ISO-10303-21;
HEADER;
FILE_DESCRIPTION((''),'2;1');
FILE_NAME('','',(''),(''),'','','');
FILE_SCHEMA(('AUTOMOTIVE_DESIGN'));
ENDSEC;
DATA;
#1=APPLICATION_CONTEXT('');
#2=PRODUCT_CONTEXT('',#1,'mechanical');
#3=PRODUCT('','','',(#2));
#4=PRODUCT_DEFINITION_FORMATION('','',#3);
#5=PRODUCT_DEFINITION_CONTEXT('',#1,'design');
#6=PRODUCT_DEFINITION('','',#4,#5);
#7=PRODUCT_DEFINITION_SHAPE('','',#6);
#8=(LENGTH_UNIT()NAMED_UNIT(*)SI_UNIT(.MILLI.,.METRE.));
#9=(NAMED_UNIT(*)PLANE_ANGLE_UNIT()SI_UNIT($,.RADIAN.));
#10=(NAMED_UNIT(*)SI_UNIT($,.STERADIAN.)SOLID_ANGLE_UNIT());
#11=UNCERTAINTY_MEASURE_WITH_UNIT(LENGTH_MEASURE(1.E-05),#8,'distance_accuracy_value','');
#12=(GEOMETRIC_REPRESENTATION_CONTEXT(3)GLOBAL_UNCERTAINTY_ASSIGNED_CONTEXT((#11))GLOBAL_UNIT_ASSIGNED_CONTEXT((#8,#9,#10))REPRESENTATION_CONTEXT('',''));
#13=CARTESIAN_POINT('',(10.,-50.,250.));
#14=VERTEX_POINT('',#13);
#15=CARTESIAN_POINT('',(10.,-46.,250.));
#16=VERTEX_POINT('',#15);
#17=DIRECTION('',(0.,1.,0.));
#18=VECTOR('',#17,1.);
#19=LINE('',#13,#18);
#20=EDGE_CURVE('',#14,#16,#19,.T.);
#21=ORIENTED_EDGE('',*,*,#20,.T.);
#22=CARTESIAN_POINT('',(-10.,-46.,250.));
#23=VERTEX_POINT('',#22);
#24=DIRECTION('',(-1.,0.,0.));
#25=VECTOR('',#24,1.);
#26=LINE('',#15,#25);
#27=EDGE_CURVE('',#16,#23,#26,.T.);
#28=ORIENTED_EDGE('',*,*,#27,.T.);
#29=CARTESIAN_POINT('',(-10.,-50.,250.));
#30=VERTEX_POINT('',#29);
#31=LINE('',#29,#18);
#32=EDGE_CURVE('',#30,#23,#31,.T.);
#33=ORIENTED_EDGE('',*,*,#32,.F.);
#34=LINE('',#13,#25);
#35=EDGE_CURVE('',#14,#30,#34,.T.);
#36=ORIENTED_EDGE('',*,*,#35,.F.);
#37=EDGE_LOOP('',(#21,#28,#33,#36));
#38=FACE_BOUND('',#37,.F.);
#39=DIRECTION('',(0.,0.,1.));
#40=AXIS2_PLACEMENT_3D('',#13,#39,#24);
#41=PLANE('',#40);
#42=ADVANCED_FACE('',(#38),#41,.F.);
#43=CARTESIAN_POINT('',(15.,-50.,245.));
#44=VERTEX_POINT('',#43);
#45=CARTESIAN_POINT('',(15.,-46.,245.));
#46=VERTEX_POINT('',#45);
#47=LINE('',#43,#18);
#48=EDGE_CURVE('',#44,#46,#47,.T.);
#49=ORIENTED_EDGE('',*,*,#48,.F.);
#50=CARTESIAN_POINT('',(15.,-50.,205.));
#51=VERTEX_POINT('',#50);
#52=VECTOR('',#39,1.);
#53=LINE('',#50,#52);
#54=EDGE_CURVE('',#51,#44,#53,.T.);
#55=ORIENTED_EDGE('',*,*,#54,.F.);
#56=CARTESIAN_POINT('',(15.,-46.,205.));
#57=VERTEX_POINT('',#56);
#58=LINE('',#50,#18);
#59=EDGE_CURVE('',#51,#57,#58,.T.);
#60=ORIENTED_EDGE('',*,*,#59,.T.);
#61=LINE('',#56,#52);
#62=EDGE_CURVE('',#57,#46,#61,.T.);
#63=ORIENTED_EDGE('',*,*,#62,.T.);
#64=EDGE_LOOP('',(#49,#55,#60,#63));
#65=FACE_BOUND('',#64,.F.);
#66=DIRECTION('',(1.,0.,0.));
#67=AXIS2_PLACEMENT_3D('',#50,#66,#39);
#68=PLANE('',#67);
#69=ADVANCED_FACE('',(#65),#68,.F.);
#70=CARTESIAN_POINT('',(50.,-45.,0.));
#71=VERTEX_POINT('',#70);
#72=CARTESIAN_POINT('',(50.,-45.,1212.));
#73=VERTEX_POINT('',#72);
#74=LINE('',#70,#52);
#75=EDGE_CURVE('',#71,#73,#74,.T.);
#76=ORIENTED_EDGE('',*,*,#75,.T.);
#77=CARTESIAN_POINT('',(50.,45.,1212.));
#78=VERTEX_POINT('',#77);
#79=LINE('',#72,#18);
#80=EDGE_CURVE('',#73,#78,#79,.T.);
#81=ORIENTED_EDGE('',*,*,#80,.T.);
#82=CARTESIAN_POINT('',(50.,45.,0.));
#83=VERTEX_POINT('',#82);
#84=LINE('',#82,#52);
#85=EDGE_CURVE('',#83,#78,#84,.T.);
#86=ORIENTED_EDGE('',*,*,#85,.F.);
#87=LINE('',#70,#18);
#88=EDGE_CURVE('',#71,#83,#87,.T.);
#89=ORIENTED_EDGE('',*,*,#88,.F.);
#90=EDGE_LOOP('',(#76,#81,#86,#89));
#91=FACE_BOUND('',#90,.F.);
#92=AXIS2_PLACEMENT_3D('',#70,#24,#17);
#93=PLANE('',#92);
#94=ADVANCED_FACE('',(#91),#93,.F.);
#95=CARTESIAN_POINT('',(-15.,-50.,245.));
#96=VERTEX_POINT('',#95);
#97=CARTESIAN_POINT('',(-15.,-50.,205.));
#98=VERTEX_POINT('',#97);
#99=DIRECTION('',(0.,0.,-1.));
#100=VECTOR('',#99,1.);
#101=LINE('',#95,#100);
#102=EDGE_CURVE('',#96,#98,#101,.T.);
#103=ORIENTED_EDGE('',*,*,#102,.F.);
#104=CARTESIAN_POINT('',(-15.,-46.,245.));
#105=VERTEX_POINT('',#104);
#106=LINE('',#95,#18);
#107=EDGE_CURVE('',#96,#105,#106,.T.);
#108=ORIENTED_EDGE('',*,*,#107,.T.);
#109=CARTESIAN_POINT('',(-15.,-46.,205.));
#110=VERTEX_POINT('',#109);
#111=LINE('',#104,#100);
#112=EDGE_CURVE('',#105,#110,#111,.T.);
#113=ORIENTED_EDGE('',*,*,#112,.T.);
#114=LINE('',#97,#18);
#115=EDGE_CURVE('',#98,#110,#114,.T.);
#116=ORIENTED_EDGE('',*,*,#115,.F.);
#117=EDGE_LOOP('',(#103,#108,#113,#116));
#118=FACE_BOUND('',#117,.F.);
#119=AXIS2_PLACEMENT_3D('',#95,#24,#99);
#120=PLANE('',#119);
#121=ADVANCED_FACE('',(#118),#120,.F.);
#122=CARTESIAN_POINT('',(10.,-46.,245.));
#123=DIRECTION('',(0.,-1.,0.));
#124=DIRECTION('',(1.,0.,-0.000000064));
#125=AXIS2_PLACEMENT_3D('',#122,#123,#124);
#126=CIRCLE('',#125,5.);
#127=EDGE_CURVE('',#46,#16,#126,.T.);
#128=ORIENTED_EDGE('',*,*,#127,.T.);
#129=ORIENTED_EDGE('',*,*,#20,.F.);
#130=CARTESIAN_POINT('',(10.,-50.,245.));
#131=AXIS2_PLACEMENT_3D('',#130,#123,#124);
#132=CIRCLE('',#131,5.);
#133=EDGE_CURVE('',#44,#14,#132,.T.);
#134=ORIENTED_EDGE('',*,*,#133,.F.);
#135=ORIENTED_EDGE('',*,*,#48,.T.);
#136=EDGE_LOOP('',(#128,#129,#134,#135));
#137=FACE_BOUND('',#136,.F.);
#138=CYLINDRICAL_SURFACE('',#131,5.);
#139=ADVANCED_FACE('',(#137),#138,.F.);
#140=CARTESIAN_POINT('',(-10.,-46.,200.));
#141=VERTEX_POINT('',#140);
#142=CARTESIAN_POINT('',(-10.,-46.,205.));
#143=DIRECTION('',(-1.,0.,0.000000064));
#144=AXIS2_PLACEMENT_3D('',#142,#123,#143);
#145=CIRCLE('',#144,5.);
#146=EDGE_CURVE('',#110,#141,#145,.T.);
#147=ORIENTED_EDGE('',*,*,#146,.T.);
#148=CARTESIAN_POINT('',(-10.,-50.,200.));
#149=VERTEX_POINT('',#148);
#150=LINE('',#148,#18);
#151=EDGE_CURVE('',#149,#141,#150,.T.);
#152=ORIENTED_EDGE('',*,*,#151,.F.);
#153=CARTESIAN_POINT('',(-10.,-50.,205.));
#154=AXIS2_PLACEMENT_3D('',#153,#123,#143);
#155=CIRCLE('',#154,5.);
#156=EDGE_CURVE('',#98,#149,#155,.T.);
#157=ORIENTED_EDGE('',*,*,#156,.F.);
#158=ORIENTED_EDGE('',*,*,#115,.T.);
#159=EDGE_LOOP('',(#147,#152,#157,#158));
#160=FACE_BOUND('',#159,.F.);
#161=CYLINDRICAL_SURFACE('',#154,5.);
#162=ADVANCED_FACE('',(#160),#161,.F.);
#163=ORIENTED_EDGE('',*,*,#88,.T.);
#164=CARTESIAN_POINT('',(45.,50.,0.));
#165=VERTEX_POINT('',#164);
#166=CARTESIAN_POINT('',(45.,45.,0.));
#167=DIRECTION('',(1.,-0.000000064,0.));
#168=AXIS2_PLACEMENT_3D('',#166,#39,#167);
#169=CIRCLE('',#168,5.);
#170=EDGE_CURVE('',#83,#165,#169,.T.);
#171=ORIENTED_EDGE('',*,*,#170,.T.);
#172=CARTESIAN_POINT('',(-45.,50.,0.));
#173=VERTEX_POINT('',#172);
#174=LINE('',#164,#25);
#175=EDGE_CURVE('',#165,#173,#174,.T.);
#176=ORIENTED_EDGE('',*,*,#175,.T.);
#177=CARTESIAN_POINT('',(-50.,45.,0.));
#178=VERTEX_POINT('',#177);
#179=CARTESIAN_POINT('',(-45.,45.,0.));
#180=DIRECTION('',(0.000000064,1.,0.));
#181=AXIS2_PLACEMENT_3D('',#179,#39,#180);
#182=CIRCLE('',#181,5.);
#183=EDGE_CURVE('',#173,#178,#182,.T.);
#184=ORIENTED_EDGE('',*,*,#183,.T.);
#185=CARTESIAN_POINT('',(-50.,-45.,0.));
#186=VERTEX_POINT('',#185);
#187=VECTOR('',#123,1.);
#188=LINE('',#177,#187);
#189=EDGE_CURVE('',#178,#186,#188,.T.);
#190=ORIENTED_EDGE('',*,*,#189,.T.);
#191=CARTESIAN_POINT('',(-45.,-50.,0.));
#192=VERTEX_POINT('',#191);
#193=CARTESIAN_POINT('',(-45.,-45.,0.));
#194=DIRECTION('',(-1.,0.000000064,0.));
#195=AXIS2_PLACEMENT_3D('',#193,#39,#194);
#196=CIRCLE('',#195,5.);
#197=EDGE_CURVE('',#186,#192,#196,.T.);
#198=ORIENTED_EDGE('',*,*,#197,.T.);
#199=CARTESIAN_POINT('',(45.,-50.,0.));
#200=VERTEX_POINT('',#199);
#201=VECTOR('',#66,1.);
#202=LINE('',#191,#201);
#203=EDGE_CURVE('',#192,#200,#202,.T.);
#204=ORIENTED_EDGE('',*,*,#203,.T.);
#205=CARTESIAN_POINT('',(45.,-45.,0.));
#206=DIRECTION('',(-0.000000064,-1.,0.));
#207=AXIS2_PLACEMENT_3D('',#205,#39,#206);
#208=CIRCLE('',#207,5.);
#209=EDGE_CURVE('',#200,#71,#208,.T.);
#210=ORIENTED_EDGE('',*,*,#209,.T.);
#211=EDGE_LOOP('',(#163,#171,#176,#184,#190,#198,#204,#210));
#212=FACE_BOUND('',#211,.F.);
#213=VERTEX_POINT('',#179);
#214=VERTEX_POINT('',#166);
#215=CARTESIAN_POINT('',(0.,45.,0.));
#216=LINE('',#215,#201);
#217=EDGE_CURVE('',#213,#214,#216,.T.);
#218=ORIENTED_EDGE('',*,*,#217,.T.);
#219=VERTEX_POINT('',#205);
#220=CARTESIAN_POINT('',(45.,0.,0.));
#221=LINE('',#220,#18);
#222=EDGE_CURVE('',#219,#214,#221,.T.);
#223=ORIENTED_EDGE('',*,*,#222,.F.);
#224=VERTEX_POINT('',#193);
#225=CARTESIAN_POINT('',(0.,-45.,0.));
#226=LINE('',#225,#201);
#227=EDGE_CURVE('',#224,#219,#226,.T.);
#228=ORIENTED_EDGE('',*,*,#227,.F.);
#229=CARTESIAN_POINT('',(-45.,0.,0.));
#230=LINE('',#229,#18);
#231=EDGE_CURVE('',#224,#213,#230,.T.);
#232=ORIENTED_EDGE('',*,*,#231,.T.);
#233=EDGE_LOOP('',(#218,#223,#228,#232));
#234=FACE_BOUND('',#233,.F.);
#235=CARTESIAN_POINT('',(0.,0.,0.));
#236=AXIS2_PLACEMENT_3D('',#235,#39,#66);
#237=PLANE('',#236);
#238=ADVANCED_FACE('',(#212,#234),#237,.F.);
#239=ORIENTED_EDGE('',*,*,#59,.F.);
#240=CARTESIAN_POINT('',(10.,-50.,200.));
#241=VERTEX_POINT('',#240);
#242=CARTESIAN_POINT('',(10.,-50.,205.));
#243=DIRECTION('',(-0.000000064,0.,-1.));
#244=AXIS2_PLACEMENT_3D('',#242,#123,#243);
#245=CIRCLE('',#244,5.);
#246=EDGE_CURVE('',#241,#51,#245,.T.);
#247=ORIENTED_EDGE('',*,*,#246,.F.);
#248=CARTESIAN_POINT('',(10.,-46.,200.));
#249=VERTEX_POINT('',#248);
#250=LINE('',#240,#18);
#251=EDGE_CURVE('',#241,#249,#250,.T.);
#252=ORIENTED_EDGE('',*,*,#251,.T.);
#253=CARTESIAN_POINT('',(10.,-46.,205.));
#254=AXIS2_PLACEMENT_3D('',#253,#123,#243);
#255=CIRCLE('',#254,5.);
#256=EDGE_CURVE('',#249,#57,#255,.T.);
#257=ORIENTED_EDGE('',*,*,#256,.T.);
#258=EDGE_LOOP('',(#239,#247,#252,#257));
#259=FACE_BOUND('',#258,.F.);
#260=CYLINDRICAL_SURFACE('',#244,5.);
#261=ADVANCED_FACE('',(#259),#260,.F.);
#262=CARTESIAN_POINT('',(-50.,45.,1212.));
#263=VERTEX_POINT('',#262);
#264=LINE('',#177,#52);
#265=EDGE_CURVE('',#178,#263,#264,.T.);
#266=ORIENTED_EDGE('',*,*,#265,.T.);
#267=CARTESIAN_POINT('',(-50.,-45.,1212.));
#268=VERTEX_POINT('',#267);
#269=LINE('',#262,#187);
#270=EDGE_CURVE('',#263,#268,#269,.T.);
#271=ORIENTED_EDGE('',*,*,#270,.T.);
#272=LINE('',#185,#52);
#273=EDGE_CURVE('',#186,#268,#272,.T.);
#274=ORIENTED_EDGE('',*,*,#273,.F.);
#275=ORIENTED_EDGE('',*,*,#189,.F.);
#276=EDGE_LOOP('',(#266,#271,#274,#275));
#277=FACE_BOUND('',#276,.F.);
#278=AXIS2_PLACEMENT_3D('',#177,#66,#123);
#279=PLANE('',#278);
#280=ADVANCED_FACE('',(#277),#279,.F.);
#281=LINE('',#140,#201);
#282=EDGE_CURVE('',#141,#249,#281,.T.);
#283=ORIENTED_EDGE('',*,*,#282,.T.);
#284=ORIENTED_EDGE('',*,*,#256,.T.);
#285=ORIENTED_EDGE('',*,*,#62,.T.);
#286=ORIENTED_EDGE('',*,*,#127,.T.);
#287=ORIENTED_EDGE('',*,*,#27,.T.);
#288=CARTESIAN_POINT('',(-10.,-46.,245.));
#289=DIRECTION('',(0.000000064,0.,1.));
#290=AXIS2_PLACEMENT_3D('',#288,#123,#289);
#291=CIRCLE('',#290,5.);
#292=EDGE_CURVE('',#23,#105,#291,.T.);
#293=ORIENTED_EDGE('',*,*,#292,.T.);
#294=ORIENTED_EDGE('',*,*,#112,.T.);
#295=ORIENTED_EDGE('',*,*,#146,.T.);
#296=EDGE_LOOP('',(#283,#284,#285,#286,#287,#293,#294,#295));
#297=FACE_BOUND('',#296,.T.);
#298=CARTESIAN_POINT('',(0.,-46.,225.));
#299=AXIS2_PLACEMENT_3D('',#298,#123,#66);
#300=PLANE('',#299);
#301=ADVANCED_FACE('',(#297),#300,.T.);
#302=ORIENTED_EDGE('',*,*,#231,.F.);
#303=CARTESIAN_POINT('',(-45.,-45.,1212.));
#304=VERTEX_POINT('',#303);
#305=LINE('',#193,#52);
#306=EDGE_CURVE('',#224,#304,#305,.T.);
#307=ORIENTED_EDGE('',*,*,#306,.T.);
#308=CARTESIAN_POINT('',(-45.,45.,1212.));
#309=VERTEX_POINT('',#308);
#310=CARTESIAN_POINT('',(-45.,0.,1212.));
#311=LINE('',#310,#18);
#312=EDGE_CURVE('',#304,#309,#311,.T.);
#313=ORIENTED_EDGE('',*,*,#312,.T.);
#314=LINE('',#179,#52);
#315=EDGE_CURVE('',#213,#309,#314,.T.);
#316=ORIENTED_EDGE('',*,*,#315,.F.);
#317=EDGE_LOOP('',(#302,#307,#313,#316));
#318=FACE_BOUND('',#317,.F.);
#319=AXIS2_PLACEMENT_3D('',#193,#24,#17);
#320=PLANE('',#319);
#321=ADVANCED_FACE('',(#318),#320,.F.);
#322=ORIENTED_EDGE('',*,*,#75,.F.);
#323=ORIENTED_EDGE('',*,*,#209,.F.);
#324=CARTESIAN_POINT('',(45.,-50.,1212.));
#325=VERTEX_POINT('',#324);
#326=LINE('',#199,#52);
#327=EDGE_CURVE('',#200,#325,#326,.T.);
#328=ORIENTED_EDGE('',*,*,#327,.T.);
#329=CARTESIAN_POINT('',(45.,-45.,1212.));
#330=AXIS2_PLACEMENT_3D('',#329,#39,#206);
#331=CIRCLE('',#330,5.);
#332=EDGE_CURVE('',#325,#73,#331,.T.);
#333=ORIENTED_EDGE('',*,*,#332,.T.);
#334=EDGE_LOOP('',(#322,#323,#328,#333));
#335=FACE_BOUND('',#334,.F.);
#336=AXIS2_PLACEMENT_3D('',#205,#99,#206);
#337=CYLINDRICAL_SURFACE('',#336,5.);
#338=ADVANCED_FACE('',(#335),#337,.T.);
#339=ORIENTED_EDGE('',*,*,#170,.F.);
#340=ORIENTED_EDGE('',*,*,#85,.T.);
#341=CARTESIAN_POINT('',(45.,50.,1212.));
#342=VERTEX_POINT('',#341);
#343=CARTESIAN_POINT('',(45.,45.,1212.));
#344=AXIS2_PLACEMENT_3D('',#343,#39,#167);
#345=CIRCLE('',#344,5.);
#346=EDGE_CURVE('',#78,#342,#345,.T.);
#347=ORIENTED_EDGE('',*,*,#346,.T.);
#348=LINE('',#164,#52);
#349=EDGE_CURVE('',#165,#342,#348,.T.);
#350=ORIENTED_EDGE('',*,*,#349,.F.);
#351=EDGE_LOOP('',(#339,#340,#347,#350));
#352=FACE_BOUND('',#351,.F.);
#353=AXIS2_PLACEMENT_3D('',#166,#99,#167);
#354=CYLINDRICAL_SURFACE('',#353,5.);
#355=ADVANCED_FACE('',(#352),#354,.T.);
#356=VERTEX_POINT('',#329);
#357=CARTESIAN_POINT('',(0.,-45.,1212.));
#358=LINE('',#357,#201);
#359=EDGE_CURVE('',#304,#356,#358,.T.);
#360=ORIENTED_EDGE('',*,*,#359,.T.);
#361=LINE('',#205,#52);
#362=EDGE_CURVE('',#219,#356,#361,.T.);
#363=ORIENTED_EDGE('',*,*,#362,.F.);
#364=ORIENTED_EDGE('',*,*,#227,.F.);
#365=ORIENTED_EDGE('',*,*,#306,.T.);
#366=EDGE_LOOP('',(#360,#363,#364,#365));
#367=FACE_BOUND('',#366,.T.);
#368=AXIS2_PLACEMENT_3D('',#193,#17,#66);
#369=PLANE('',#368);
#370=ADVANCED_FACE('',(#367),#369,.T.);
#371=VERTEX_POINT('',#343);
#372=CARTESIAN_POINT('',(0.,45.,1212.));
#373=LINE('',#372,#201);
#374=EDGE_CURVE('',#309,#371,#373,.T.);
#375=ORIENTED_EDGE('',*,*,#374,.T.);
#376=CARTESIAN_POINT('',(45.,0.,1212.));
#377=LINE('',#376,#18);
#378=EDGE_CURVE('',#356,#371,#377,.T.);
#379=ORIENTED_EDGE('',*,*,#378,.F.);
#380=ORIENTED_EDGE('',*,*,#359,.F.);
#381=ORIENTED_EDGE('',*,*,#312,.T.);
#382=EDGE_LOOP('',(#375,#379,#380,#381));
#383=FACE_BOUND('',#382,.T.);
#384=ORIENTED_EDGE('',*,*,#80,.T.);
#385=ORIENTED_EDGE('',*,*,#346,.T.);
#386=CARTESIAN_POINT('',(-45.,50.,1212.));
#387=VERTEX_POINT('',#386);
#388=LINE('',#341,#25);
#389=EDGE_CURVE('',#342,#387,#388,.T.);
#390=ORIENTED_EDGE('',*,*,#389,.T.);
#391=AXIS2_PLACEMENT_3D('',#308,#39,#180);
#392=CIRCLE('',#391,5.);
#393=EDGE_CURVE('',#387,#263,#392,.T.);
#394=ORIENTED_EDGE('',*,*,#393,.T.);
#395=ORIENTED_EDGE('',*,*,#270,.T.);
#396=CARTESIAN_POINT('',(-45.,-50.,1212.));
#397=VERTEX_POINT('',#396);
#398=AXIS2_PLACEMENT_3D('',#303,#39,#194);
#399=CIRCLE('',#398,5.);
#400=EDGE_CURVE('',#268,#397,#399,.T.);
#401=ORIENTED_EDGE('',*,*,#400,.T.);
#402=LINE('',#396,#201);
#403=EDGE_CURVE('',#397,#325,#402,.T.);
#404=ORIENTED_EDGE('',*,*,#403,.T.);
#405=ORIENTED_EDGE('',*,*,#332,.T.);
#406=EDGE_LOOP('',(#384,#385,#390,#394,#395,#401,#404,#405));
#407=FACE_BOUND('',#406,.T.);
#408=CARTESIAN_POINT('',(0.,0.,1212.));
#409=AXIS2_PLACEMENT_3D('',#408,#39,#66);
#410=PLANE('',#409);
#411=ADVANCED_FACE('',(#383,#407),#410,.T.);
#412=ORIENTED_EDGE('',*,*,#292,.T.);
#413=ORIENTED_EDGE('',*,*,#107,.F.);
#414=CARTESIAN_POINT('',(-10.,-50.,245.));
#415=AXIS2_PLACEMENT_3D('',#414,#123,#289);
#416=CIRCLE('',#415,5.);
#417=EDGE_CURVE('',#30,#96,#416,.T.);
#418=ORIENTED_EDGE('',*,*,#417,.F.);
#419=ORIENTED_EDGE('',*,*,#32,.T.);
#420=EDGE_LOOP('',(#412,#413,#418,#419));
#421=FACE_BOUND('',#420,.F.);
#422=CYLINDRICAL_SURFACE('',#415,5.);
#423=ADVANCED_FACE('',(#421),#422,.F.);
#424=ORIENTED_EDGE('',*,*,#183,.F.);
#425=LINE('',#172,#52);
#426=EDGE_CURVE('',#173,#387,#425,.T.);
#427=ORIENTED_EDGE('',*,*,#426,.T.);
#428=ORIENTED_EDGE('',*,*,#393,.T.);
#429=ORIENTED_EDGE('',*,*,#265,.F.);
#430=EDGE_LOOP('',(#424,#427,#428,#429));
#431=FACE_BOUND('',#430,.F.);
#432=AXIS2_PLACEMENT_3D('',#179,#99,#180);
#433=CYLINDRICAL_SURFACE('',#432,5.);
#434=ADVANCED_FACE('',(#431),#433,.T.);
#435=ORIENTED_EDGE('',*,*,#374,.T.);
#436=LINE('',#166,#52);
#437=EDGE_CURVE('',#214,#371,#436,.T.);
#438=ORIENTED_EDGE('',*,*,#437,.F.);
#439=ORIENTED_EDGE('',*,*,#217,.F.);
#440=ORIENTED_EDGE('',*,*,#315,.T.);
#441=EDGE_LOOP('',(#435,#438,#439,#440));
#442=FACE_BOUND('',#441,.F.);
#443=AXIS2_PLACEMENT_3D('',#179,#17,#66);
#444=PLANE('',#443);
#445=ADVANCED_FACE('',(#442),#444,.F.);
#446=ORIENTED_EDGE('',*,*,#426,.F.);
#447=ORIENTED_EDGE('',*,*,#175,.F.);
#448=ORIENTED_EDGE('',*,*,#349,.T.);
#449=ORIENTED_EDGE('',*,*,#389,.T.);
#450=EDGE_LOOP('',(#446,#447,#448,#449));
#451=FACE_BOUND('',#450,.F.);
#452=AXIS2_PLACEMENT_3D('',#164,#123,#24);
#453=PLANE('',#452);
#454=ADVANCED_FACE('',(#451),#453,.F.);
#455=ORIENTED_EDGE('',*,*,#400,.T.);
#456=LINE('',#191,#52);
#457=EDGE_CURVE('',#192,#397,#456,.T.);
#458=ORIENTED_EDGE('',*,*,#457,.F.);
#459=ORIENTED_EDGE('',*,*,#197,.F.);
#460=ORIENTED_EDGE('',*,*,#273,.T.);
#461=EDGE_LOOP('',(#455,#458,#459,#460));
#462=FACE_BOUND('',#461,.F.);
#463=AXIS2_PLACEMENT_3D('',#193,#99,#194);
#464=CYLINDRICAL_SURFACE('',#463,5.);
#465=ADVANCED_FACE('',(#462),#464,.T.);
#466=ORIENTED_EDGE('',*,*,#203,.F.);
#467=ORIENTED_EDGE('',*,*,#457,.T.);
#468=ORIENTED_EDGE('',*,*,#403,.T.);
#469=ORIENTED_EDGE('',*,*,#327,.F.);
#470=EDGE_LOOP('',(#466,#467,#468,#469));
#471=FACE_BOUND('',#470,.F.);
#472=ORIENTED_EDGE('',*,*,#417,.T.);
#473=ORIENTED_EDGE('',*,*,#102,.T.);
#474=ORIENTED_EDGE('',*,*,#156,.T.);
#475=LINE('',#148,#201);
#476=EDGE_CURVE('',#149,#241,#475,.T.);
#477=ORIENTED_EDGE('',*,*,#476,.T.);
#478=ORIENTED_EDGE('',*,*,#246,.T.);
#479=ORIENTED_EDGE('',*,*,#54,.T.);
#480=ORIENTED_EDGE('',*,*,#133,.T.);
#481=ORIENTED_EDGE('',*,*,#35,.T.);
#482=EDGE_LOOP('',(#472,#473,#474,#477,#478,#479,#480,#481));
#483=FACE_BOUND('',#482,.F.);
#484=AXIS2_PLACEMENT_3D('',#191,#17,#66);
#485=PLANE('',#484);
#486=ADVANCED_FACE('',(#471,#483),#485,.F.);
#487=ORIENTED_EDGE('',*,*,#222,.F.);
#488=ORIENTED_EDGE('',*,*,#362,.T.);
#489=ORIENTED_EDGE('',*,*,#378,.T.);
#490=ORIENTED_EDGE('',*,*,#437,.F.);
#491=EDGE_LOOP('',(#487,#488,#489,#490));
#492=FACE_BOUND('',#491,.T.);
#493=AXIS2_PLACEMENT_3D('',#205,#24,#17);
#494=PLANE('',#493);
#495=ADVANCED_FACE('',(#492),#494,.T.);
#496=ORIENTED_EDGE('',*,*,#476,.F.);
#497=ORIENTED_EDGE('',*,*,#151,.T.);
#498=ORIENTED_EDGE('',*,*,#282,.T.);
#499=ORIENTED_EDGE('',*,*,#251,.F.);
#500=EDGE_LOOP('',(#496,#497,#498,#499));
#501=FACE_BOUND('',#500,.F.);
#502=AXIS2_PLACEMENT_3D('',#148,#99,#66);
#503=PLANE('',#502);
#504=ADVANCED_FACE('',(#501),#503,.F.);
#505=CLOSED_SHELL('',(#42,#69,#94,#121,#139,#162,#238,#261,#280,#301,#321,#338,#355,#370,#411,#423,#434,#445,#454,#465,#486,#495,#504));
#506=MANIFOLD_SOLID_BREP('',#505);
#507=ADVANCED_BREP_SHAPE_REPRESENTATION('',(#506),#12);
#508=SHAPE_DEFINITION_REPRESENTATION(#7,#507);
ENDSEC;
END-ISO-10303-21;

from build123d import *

# Parameters (mm, degrees)
F0_W     = 90
F0_H     = 90
F1_DEPTH = 1212
F3_DEPTH = 4


with BuildPart() as f1:
    # F0 (on Top) → F1 (new body)
    with BuildSketch(Plane.XY):
        with BuildLine():
            ThreePointArc((50, 45), (48.535534, 48.535534), (45, 50))
            Line((45, 50), (-45, 50))
            ThreePointArc((-45, 50), (-48.535534, 48.535534), (-50, 45))
            Line((-50, 45), (-50, -45))
            ThreePointArc((-50, -45), (-48.535534, -48.535534), (-45, -50))
            Line((-45, -50), (45, -50))
            ThreePointArc((45, -50), (48.535534, -48.535534), (50, -45))
            Line((50, -45), (50, 45))
        make_face()
        Rectangle(F0_W, F0_H, mode=Mode.SUBTRACT)
    extrude(amount=F1_DEPTH)

    # F2 (on face) → F3 (cut)
    with BuildSketch(Plane.XZ.offset(50)):
        with BuildLine():
            ThreePointArc((-15, 205), (-13.535534, 201.464466), (-10, 200))
            Line((-10, 200), (10, 200))
            ThreePointArc((10, 200), (13.535534, 201.464466), (15, 205))
            Line((15, 205), (15, 245))
            ThreePointArc((15, 245), (13.535534, 248.535534), (10, 250))
            Line((10, 250), (-10, 250))
            ThreePointArc((-10, 250), (-13.535534, 248.535534), (-15, 245))
            Line((-15, 245), (-15, 205))
        make_face()
    extrude(amount=-F3_DEPTH, mode=Mode.SUBTRACT)


solid = f1.part
